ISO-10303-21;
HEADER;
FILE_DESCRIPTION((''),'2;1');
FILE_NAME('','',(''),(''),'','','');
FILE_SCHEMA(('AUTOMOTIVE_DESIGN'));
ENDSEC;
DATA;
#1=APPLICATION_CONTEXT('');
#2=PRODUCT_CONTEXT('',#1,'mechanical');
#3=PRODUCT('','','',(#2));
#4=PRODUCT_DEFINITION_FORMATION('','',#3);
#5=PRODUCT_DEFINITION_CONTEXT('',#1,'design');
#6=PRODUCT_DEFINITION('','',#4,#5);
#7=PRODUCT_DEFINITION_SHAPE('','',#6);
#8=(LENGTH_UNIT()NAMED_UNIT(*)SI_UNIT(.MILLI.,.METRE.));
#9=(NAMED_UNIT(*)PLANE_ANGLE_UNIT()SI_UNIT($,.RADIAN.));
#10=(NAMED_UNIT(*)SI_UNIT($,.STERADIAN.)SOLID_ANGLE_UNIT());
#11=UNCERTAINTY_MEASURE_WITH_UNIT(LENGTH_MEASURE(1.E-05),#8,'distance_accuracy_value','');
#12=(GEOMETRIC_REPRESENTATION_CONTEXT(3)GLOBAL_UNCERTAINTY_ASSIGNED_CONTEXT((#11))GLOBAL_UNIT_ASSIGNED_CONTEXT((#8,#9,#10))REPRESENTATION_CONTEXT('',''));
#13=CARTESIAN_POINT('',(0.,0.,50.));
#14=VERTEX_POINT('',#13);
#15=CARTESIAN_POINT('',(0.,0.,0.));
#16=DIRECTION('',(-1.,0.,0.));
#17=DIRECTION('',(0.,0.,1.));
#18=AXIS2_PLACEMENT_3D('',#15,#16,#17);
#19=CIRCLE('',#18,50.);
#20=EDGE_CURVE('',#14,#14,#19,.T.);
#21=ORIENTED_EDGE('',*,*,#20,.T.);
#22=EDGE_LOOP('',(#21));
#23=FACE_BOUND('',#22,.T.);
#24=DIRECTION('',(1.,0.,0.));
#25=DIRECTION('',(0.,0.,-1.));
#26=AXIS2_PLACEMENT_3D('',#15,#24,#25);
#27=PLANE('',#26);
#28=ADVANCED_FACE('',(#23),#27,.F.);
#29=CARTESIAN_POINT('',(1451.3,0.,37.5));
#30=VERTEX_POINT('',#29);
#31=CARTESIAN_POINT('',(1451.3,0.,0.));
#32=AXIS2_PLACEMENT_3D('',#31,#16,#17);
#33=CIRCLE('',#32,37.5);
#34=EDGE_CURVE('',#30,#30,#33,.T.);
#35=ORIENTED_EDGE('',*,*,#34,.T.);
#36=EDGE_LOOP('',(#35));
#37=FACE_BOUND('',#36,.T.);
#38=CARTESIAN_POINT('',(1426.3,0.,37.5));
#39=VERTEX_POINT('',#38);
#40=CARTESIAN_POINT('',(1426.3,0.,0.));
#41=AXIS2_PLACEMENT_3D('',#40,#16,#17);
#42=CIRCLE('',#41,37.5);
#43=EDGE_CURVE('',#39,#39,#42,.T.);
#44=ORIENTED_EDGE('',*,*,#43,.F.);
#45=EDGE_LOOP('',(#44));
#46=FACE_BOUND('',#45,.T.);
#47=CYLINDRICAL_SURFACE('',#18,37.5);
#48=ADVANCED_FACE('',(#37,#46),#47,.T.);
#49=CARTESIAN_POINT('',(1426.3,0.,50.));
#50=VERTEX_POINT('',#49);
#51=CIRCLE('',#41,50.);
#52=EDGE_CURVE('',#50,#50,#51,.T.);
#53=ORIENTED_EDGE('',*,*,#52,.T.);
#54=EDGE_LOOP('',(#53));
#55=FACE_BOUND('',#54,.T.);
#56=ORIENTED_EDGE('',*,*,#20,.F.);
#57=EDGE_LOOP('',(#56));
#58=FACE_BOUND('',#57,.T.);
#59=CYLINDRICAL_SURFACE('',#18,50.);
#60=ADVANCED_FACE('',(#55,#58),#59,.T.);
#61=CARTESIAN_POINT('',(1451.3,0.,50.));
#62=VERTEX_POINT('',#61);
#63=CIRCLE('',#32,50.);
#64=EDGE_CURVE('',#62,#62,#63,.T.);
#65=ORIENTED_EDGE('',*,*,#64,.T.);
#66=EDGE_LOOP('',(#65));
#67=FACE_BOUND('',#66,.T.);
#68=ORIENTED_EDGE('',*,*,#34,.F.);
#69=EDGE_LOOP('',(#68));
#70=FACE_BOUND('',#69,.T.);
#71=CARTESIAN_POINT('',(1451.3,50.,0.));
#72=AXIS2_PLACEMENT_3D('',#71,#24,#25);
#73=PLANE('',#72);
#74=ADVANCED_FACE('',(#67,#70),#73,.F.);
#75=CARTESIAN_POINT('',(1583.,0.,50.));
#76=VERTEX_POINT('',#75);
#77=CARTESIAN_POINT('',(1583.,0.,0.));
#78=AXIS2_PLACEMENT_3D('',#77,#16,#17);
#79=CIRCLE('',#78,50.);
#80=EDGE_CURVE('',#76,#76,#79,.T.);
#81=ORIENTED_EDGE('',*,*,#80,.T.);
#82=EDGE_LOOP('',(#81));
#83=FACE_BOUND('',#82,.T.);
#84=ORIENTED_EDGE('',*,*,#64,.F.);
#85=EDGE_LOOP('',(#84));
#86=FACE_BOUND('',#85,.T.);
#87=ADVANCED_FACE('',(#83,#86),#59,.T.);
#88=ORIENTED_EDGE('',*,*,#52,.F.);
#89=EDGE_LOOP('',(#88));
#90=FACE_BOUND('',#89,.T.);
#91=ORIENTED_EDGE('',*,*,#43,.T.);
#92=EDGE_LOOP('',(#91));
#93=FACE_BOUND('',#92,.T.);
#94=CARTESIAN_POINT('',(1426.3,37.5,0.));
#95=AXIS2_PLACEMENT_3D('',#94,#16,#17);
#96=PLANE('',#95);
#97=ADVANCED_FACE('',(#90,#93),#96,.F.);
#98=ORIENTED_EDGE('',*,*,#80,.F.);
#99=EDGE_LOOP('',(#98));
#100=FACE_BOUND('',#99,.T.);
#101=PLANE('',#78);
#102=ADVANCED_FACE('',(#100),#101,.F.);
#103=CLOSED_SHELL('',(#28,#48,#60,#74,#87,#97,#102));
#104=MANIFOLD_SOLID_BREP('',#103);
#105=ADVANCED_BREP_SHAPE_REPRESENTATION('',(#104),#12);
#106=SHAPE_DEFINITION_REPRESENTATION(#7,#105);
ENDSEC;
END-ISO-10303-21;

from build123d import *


with BuildPart() as part:
    # Sketch1 → Revolve1 (revolve)
    with BuildSketch(Plane.XY, mode=Mode.PRIVATE) as revolve1_sk:
        Polygon((0, 0), (0, 50), (1426.3, 50), (1426.3, 37.5), (1451.3, 37.5), (1451.3, 50), (1583, 50), (1583, 0), align=None)
    revolve(revolve1_sk.sketch.rotate(Axis((0, 0, 0), (1, 0, 0)), 90), axis=Axis((0, 0, 0), (1, 0, 0)))


solid = part.part
